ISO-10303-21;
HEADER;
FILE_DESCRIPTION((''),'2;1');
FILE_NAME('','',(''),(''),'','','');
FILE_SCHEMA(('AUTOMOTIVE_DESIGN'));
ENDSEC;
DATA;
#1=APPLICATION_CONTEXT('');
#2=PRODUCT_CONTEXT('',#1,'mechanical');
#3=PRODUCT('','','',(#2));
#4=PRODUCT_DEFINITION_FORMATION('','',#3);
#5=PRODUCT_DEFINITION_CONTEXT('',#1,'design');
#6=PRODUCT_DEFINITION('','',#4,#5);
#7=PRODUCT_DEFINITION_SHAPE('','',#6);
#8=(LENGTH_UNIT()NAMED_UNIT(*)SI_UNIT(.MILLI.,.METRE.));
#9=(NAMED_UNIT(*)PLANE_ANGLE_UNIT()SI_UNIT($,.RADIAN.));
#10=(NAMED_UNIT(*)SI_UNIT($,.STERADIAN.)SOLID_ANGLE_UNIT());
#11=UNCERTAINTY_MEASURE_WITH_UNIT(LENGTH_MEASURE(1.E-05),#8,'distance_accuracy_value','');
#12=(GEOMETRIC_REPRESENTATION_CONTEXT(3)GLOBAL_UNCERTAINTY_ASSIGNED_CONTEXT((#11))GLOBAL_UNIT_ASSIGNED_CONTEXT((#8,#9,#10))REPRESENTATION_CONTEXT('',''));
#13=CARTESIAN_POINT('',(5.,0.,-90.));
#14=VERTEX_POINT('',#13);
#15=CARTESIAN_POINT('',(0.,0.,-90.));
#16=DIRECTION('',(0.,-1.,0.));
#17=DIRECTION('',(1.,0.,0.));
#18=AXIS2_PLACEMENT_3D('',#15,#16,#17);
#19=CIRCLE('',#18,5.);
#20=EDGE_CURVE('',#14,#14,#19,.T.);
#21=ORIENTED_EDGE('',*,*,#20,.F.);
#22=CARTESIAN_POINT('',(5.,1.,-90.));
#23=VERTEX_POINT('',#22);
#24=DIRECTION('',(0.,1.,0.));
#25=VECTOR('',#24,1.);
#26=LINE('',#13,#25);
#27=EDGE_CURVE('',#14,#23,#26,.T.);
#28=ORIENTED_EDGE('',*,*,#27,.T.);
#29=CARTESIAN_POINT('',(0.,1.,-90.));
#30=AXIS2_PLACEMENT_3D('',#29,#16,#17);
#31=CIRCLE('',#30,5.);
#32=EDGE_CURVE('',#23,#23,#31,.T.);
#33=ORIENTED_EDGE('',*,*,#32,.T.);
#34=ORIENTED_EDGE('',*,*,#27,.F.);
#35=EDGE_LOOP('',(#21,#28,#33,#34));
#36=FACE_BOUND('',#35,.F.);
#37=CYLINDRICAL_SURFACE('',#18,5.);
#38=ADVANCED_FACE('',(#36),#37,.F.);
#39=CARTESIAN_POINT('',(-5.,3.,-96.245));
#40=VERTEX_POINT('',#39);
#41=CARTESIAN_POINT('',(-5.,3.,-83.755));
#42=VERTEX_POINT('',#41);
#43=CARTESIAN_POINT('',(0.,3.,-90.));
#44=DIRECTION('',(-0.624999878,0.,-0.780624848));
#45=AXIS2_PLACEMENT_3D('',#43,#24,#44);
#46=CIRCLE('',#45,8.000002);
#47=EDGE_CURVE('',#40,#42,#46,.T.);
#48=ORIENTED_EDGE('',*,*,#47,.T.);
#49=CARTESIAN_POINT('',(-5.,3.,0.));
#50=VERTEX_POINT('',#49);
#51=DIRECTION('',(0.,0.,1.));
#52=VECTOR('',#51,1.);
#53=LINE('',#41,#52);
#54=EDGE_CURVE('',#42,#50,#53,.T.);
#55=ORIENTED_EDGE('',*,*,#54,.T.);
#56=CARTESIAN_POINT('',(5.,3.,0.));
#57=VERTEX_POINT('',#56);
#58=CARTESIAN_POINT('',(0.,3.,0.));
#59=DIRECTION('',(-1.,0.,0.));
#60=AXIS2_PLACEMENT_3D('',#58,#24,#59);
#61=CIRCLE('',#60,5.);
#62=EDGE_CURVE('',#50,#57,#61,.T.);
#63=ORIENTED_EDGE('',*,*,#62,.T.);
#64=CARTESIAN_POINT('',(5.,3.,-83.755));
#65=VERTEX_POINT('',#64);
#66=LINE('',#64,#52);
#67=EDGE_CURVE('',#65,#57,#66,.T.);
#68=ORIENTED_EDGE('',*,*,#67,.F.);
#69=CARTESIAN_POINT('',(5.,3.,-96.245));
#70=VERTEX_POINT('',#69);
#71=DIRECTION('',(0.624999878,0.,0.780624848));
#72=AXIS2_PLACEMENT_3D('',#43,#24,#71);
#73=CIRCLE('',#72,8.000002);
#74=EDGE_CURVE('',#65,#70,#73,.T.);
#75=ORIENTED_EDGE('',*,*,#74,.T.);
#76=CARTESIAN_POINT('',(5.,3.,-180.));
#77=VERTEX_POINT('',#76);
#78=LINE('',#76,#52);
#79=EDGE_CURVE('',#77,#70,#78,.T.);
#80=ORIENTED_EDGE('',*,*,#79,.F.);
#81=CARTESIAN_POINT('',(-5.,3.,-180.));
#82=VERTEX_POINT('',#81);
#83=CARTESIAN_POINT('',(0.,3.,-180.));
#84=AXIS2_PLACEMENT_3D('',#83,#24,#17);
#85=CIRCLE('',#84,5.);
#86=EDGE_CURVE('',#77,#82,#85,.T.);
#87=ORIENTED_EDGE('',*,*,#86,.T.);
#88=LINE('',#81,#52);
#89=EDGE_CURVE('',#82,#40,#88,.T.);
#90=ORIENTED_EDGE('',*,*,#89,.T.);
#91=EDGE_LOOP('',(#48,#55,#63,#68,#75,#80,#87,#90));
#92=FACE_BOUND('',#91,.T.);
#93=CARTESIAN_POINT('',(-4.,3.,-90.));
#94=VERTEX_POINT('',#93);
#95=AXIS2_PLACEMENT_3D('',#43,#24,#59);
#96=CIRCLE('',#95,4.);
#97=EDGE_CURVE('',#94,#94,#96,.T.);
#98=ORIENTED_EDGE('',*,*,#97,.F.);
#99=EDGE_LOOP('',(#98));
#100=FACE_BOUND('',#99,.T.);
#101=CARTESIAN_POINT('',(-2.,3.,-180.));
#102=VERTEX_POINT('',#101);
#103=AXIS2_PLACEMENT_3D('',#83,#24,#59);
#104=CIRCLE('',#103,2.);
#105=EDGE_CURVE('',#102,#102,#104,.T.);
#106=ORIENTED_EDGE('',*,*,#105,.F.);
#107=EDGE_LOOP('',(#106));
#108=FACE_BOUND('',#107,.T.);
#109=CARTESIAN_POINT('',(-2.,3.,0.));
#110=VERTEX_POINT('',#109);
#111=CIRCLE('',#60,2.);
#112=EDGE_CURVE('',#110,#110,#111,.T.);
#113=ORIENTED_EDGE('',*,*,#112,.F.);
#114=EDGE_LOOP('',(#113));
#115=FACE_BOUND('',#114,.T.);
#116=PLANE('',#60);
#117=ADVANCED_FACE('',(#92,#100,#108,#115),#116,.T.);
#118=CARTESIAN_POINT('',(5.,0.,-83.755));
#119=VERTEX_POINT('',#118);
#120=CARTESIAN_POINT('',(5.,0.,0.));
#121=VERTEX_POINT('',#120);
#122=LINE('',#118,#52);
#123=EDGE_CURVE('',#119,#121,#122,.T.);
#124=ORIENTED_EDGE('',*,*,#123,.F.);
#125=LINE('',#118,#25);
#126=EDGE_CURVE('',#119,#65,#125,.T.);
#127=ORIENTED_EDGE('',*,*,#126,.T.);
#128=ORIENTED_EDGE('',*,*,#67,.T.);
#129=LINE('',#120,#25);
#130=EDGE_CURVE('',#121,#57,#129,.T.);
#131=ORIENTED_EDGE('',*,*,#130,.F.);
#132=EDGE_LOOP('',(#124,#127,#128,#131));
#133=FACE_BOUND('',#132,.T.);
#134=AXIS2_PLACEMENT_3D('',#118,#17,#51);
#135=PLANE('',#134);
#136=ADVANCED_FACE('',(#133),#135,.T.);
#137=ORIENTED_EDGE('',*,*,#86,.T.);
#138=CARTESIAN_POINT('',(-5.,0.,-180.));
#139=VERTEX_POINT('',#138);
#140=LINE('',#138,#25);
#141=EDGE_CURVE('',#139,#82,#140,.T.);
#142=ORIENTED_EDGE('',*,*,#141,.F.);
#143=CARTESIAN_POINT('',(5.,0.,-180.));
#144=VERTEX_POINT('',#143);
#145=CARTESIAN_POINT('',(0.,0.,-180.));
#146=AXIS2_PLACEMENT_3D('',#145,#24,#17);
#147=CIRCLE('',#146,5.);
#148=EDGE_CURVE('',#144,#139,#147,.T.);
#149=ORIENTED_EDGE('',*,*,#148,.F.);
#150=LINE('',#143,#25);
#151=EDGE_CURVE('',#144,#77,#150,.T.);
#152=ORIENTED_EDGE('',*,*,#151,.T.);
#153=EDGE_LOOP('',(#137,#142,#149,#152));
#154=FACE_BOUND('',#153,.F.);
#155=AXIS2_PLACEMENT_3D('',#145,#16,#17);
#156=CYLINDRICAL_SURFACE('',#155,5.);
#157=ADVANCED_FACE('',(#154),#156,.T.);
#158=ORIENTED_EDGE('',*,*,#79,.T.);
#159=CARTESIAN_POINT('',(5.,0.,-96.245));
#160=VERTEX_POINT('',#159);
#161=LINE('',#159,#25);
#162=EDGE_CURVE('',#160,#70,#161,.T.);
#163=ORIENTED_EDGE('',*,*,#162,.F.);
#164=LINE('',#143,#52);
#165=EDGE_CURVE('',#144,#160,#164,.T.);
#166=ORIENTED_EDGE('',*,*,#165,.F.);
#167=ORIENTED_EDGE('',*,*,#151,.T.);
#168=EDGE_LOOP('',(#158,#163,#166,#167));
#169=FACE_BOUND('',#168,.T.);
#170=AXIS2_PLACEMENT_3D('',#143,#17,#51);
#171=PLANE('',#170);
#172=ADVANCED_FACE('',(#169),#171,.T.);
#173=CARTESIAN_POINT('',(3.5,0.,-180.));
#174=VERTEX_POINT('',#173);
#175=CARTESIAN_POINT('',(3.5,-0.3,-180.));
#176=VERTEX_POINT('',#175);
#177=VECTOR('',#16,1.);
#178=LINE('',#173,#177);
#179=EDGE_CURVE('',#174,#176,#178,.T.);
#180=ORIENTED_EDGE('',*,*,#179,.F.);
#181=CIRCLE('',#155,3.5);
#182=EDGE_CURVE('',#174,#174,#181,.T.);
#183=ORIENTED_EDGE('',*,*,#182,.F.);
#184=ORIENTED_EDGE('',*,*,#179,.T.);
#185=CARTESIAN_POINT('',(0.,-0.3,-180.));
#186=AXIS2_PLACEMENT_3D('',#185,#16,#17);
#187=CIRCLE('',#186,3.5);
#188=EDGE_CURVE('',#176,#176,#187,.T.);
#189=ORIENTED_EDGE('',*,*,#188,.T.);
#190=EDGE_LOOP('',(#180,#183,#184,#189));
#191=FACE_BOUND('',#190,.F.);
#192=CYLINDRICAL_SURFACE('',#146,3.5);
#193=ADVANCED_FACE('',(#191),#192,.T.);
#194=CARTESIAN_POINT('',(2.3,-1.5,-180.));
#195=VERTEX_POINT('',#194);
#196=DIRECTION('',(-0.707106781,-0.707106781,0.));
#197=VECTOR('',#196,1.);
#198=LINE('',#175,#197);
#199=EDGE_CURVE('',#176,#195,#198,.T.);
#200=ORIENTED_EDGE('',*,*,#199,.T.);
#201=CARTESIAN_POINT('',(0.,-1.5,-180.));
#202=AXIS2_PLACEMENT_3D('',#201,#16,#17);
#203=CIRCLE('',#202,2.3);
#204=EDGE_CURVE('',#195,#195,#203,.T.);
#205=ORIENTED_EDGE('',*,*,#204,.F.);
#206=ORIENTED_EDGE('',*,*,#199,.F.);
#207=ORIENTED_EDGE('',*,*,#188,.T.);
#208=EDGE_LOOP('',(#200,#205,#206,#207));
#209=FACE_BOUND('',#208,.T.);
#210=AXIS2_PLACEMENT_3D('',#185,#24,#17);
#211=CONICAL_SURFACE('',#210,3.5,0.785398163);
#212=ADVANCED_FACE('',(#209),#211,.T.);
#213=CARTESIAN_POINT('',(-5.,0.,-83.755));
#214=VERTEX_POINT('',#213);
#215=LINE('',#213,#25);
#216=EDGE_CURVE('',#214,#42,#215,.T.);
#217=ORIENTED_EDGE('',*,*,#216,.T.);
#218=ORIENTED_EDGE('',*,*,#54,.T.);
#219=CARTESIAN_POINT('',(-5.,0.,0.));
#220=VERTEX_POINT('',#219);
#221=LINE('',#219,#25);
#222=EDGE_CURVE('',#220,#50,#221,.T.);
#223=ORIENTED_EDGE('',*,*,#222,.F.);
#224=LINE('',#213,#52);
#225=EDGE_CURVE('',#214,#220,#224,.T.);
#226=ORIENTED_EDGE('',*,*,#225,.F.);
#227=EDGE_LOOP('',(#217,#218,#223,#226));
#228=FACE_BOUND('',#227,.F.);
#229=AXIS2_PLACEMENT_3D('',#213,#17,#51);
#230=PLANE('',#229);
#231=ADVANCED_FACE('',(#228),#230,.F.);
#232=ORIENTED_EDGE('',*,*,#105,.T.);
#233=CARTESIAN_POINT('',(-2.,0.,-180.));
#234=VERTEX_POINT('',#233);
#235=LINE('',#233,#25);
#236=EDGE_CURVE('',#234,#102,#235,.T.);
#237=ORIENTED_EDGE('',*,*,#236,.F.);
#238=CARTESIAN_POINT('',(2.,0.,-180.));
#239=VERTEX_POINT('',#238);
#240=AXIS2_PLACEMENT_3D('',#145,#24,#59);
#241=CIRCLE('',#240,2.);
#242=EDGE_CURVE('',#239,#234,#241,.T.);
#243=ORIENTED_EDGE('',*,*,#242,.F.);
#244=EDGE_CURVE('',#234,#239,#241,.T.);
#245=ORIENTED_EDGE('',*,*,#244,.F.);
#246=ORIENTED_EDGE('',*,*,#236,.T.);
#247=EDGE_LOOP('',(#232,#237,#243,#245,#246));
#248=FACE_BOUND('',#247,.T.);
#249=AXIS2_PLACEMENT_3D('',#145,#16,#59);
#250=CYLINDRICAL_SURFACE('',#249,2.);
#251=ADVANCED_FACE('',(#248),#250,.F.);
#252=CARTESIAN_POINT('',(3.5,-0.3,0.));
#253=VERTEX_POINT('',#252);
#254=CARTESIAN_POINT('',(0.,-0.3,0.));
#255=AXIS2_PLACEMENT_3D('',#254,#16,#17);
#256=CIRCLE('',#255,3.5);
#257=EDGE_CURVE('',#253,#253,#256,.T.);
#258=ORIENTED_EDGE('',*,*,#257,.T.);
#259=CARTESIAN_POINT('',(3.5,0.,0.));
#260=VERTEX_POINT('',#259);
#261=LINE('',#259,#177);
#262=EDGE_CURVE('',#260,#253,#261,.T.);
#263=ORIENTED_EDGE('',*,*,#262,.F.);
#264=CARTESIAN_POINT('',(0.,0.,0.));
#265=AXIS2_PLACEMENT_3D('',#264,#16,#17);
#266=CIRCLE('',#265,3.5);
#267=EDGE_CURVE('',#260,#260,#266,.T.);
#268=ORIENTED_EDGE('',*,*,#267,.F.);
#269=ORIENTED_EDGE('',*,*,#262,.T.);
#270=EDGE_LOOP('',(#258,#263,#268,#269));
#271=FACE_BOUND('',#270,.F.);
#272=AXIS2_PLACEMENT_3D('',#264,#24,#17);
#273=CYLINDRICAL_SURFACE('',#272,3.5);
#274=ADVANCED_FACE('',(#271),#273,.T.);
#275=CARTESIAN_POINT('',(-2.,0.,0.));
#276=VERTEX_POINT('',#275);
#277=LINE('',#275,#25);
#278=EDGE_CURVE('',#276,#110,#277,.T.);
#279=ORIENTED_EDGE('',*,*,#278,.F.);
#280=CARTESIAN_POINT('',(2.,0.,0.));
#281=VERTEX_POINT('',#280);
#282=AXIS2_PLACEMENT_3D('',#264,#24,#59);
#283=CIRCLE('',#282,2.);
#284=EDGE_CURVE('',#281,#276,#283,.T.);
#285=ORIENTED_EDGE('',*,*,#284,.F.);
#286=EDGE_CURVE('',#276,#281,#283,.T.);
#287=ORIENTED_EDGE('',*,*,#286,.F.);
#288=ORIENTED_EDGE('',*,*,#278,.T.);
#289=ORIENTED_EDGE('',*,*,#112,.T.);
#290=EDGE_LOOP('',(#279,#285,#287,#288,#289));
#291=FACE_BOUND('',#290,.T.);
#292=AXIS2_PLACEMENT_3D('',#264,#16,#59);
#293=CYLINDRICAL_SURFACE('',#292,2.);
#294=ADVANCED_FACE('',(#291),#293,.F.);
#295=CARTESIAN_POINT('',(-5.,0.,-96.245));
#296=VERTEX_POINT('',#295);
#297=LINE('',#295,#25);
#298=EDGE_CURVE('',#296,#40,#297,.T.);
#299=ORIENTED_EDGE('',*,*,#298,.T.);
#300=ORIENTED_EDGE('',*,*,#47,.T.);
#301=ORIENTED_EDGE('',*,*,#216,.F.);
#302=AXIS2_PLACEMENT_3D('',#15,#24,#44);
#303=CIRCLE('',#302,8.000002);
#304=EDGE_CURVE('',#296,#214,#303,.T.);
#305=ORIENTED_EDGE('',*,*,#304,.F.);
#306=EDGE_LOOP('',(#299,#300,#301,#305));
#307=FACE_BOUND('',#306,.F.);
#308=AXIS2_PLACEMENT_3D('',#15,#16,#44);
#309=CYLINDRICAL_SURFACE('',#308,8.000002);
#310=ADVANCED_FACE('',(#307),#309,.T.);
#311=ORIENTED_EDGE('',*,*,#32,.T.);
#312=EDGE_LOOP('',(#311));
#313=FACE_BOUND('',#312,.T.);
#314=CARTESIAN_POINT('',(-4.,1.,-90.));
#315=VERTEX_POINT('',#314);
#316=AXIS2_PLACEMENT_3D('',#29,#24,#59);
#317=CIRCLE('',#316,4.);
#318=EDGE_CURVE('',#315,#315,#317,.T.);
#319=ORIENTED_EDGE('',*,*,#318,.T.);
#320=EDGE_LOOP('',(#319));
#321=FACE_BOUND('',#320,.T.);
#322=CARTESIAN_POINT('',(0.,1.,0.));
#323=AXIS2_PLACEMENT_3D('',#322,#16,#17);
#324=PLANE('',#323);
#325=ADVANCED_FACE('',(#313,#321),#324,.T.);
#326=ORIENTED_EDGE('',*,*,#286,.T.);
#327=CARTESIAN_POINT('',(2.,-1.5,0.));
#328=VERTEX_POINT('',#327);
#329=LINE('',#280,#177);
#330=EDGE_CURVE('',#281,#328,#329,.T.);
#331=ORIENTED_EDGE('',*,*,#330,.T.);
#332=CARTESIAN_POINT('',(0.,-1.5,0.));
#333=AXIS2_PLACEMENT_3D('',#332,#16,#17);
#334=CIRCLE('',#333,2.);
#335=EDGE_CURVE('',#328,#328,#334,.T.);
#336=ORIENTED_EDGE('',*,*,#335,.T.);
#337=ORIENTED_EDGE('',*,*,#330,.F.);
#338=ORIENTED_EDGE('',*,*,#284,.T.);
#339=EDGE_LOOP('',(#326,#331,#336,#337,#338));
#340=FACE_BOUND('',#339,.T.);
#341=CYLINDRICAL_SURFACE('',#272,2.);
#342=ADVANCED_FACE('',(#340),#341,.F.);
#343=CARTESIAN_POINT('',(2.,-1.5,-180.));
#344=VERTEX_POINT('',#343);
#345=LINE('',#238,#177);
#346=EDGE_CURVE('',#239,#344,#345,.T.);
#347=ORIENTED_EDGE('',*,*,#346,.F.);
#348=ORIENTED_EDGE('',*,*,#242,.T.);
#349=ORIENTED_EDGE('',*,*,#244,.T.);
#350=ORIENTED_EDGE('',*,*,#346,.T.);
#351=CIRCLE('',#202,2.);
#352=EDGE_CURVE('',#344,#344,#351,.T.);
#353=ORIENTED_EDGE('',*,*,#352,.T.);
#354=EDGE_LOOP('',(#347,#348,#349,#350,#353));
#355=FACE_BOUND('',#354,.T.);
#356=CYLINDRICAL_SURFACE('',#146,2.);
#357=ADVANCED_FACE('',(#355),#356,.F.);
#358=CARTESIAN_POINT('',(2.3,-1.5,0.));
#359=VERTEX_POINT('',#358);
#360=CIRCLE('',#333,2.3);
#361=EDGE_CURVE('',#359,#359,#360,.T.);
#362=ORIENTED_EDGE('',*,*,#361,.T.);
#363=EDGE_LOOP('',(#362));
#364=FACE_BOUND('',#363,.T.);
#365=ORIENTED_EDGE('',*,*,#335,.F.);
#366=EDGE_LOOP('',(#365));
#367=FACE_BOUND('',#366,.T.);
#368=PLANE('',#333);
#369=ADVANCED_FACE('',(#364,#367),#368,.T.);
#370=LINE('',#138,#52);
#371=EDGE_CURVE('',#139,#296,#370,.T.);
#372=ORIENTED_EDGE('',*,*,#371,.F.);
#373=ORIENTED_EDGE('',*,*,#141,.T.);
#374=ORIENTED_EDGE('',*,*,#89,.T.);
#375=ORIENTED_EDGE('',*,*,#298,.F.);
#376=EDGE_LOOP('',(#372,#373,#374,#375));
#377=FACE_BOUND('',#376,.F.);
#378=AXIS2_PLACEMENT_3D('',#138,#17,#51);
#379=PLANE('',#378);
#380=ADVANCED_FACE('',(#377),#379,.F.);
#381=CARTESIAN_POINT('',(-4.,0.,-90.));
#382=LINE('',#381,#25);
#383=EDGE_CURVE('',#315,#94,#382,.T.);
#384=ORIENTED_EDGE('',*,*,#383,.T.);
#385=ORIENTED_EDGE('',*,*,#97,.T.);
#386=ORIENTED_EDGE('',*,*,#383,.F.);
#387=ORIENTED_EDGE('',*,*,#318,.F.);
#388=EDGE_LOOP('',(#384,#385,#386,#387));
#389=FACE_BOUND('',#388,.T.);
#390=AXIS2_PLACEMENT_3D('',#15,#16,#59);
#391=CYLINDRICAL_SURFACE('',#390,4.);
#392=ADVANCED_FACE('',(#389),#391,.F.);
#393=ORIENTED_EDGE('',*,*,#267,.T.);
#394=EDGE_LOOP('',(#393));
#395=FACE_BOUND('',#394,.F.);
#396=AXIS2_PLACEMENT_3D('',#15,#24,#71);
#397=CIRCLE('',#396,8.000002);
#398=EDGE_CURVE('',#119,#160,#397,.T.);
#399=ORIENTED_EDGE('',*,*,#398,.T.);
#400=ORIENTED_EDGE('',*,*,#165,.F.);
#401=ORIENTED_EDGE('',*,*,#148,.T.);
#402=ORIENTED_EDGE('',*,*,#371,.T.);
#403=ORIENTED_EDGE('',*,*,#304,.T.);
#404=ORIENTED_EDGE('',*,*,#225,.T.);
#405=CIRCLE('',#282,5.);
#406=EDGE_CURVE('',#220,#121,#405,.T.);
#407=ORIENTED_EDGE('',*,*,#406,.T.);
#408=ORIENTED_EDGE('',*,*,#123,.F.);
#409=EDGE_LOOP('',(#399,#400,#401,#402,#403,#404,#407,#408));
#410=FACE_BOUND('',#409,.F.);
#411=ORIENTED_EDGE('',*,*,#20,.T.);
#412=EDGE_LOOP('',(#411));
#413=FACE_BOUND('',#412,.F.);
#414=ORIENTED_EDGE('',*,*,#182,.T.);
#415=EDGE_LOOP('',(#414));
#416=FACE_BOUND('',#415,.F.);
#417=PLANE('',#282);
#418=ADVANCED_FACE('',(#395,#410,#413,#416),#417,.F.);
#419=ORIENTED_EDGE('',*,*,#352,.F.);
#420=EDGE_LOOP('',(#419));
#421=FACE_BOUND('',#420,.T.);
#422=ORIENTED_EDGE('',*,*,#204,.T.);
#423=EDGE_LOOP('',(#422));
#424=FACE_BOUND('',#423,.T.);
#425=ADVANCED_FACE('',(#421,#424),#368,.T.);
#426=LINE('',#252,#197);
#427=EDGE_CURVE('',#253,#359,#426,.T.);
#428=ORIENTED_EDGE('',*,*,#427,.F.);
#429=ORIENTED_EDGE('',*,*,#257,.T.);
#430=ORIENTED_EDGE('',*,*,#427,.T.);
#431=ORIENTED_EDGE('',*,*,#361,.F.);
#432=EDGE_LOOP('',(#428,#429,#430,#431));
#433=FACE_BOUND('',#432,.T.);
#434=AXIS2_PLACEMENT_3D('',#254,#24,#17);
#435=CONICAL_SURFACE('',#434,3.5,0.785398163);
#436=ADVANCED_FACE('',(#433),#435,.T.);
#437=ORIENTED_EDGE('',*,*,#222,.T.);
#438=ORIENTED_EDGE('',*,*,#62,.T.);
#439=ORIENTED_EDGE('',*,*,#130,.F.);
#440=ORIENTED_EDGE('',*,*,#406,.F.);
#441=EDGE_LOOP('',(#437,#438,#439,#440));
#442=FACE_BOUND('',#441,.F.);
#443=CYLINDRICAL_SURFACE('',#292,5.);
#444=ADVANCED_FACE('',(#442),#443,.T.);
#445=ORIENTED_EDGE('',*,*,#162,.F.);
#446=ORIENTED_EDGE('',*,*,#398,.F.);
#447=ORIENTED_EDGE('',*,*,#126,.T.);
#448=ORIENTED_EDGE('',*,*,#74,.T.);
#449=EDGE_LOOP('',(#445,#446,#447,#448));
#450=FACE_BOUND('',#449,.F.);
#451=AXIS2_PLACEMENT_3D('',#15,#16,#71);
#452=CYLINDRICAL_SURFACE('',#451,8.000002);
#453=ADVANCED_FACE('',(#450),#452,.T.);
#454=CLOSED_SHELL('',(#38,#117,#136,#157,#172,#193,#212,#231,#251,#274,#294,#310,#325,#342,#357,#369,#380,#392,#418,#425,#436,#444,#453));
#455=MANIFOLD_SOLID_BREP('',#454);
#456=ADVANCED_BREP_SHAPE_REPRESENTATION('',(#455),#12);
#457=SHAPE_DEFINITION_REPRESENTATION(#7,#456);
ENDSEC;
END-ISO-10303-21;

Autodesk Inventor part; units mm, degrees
ref_plane "YZ Plane" through (0, 0, 0) normal (1, 0, 0) x (0, 1, 0)
ref_plane "XZ Plane" through (0, 0, 0) normal (0, 1, 0) x (-1, 0, 0)
ref_plane "XY Plane" through (0, 0, 0) normal (0, 0, 1) x (1, 0, 0)
sketch "Эскиз1" plane through (0, 0, 0) normal (0, 1, 0) x (-1, 0, 0)
  circle A0 centre (0, 0) radius 2
  line L0 (0, 0) -> (0, -180) construction
  circle A1 centre (0, -180) radius 2
  arc A2 (5, 0) -> (-5, 0) centre (0, 0) ccw
  arc A3 (-5, -180) -> (5, -180) centre (0, -180) ccw
  line L1 (5, -180) -> (5, -96.245)
  line L2 (-5, -180) -> (-5, -96.245)
  line L3 (0, -90) -> (22.1641, -90) construction
  line L4 (5, -83.755) -> (5, 0)
  line L5 (-5, -83.755) -> (-5, 0)
  arc A4 (-5, -83.755) -> (-5, -96.245) centre (0, -90) ccw
  arc A5 (5, -96.245) -> (5, -83.755) centre (0, -90) ccw
  circle A6 centre (0, -90) radius 4
  dimension "d0" = 4
  dimension "d1" = 4
  dimension "d2" = 180
  dimension "d3" = 10
  dimension "d4" = 10
  dimension "d8" = 8
  dimension "d9" = 8
extrude "Выдавливание1" add sketch "Эскиз1" along normal blind 3
sketch "Эскиз2" plane through (0, 0, 0) normal (0, -1, 0) x (1, 0, 0)
  circle A0 centre (0, 0) radius 3.5
  circle A1 centre (0, -180) radius 2 projected
  circle A2 centre (0, -180) radius 3.5
  circle A3 centre (0, 0) radius 2 projected
  dimension "d10" = 7
  dimension "d11" = 7
extrude "Выдавливание2" add sketch "Эскиз2" along normal blind 1.5
chamfer "Фаска1" distance 1.2 angle 45 2 edges at (-3.5, -1.5, 0) (-3.5, -1.5, -180)
sketch "Эскиз3" plane through (0, 0, 0) normal (0, -1, 0) x (1, 0, 0)
  circle A0 centre (0, -90) radius 4 projected
  circle A1 centre (0, -90) radius 5
  point P0 (0, 0)
  dimension "d17" = 10
extrude "Выдавливание3" cut sketch "Эскиз3" against normal blind 1
properties part number "04-02-Тяга"
